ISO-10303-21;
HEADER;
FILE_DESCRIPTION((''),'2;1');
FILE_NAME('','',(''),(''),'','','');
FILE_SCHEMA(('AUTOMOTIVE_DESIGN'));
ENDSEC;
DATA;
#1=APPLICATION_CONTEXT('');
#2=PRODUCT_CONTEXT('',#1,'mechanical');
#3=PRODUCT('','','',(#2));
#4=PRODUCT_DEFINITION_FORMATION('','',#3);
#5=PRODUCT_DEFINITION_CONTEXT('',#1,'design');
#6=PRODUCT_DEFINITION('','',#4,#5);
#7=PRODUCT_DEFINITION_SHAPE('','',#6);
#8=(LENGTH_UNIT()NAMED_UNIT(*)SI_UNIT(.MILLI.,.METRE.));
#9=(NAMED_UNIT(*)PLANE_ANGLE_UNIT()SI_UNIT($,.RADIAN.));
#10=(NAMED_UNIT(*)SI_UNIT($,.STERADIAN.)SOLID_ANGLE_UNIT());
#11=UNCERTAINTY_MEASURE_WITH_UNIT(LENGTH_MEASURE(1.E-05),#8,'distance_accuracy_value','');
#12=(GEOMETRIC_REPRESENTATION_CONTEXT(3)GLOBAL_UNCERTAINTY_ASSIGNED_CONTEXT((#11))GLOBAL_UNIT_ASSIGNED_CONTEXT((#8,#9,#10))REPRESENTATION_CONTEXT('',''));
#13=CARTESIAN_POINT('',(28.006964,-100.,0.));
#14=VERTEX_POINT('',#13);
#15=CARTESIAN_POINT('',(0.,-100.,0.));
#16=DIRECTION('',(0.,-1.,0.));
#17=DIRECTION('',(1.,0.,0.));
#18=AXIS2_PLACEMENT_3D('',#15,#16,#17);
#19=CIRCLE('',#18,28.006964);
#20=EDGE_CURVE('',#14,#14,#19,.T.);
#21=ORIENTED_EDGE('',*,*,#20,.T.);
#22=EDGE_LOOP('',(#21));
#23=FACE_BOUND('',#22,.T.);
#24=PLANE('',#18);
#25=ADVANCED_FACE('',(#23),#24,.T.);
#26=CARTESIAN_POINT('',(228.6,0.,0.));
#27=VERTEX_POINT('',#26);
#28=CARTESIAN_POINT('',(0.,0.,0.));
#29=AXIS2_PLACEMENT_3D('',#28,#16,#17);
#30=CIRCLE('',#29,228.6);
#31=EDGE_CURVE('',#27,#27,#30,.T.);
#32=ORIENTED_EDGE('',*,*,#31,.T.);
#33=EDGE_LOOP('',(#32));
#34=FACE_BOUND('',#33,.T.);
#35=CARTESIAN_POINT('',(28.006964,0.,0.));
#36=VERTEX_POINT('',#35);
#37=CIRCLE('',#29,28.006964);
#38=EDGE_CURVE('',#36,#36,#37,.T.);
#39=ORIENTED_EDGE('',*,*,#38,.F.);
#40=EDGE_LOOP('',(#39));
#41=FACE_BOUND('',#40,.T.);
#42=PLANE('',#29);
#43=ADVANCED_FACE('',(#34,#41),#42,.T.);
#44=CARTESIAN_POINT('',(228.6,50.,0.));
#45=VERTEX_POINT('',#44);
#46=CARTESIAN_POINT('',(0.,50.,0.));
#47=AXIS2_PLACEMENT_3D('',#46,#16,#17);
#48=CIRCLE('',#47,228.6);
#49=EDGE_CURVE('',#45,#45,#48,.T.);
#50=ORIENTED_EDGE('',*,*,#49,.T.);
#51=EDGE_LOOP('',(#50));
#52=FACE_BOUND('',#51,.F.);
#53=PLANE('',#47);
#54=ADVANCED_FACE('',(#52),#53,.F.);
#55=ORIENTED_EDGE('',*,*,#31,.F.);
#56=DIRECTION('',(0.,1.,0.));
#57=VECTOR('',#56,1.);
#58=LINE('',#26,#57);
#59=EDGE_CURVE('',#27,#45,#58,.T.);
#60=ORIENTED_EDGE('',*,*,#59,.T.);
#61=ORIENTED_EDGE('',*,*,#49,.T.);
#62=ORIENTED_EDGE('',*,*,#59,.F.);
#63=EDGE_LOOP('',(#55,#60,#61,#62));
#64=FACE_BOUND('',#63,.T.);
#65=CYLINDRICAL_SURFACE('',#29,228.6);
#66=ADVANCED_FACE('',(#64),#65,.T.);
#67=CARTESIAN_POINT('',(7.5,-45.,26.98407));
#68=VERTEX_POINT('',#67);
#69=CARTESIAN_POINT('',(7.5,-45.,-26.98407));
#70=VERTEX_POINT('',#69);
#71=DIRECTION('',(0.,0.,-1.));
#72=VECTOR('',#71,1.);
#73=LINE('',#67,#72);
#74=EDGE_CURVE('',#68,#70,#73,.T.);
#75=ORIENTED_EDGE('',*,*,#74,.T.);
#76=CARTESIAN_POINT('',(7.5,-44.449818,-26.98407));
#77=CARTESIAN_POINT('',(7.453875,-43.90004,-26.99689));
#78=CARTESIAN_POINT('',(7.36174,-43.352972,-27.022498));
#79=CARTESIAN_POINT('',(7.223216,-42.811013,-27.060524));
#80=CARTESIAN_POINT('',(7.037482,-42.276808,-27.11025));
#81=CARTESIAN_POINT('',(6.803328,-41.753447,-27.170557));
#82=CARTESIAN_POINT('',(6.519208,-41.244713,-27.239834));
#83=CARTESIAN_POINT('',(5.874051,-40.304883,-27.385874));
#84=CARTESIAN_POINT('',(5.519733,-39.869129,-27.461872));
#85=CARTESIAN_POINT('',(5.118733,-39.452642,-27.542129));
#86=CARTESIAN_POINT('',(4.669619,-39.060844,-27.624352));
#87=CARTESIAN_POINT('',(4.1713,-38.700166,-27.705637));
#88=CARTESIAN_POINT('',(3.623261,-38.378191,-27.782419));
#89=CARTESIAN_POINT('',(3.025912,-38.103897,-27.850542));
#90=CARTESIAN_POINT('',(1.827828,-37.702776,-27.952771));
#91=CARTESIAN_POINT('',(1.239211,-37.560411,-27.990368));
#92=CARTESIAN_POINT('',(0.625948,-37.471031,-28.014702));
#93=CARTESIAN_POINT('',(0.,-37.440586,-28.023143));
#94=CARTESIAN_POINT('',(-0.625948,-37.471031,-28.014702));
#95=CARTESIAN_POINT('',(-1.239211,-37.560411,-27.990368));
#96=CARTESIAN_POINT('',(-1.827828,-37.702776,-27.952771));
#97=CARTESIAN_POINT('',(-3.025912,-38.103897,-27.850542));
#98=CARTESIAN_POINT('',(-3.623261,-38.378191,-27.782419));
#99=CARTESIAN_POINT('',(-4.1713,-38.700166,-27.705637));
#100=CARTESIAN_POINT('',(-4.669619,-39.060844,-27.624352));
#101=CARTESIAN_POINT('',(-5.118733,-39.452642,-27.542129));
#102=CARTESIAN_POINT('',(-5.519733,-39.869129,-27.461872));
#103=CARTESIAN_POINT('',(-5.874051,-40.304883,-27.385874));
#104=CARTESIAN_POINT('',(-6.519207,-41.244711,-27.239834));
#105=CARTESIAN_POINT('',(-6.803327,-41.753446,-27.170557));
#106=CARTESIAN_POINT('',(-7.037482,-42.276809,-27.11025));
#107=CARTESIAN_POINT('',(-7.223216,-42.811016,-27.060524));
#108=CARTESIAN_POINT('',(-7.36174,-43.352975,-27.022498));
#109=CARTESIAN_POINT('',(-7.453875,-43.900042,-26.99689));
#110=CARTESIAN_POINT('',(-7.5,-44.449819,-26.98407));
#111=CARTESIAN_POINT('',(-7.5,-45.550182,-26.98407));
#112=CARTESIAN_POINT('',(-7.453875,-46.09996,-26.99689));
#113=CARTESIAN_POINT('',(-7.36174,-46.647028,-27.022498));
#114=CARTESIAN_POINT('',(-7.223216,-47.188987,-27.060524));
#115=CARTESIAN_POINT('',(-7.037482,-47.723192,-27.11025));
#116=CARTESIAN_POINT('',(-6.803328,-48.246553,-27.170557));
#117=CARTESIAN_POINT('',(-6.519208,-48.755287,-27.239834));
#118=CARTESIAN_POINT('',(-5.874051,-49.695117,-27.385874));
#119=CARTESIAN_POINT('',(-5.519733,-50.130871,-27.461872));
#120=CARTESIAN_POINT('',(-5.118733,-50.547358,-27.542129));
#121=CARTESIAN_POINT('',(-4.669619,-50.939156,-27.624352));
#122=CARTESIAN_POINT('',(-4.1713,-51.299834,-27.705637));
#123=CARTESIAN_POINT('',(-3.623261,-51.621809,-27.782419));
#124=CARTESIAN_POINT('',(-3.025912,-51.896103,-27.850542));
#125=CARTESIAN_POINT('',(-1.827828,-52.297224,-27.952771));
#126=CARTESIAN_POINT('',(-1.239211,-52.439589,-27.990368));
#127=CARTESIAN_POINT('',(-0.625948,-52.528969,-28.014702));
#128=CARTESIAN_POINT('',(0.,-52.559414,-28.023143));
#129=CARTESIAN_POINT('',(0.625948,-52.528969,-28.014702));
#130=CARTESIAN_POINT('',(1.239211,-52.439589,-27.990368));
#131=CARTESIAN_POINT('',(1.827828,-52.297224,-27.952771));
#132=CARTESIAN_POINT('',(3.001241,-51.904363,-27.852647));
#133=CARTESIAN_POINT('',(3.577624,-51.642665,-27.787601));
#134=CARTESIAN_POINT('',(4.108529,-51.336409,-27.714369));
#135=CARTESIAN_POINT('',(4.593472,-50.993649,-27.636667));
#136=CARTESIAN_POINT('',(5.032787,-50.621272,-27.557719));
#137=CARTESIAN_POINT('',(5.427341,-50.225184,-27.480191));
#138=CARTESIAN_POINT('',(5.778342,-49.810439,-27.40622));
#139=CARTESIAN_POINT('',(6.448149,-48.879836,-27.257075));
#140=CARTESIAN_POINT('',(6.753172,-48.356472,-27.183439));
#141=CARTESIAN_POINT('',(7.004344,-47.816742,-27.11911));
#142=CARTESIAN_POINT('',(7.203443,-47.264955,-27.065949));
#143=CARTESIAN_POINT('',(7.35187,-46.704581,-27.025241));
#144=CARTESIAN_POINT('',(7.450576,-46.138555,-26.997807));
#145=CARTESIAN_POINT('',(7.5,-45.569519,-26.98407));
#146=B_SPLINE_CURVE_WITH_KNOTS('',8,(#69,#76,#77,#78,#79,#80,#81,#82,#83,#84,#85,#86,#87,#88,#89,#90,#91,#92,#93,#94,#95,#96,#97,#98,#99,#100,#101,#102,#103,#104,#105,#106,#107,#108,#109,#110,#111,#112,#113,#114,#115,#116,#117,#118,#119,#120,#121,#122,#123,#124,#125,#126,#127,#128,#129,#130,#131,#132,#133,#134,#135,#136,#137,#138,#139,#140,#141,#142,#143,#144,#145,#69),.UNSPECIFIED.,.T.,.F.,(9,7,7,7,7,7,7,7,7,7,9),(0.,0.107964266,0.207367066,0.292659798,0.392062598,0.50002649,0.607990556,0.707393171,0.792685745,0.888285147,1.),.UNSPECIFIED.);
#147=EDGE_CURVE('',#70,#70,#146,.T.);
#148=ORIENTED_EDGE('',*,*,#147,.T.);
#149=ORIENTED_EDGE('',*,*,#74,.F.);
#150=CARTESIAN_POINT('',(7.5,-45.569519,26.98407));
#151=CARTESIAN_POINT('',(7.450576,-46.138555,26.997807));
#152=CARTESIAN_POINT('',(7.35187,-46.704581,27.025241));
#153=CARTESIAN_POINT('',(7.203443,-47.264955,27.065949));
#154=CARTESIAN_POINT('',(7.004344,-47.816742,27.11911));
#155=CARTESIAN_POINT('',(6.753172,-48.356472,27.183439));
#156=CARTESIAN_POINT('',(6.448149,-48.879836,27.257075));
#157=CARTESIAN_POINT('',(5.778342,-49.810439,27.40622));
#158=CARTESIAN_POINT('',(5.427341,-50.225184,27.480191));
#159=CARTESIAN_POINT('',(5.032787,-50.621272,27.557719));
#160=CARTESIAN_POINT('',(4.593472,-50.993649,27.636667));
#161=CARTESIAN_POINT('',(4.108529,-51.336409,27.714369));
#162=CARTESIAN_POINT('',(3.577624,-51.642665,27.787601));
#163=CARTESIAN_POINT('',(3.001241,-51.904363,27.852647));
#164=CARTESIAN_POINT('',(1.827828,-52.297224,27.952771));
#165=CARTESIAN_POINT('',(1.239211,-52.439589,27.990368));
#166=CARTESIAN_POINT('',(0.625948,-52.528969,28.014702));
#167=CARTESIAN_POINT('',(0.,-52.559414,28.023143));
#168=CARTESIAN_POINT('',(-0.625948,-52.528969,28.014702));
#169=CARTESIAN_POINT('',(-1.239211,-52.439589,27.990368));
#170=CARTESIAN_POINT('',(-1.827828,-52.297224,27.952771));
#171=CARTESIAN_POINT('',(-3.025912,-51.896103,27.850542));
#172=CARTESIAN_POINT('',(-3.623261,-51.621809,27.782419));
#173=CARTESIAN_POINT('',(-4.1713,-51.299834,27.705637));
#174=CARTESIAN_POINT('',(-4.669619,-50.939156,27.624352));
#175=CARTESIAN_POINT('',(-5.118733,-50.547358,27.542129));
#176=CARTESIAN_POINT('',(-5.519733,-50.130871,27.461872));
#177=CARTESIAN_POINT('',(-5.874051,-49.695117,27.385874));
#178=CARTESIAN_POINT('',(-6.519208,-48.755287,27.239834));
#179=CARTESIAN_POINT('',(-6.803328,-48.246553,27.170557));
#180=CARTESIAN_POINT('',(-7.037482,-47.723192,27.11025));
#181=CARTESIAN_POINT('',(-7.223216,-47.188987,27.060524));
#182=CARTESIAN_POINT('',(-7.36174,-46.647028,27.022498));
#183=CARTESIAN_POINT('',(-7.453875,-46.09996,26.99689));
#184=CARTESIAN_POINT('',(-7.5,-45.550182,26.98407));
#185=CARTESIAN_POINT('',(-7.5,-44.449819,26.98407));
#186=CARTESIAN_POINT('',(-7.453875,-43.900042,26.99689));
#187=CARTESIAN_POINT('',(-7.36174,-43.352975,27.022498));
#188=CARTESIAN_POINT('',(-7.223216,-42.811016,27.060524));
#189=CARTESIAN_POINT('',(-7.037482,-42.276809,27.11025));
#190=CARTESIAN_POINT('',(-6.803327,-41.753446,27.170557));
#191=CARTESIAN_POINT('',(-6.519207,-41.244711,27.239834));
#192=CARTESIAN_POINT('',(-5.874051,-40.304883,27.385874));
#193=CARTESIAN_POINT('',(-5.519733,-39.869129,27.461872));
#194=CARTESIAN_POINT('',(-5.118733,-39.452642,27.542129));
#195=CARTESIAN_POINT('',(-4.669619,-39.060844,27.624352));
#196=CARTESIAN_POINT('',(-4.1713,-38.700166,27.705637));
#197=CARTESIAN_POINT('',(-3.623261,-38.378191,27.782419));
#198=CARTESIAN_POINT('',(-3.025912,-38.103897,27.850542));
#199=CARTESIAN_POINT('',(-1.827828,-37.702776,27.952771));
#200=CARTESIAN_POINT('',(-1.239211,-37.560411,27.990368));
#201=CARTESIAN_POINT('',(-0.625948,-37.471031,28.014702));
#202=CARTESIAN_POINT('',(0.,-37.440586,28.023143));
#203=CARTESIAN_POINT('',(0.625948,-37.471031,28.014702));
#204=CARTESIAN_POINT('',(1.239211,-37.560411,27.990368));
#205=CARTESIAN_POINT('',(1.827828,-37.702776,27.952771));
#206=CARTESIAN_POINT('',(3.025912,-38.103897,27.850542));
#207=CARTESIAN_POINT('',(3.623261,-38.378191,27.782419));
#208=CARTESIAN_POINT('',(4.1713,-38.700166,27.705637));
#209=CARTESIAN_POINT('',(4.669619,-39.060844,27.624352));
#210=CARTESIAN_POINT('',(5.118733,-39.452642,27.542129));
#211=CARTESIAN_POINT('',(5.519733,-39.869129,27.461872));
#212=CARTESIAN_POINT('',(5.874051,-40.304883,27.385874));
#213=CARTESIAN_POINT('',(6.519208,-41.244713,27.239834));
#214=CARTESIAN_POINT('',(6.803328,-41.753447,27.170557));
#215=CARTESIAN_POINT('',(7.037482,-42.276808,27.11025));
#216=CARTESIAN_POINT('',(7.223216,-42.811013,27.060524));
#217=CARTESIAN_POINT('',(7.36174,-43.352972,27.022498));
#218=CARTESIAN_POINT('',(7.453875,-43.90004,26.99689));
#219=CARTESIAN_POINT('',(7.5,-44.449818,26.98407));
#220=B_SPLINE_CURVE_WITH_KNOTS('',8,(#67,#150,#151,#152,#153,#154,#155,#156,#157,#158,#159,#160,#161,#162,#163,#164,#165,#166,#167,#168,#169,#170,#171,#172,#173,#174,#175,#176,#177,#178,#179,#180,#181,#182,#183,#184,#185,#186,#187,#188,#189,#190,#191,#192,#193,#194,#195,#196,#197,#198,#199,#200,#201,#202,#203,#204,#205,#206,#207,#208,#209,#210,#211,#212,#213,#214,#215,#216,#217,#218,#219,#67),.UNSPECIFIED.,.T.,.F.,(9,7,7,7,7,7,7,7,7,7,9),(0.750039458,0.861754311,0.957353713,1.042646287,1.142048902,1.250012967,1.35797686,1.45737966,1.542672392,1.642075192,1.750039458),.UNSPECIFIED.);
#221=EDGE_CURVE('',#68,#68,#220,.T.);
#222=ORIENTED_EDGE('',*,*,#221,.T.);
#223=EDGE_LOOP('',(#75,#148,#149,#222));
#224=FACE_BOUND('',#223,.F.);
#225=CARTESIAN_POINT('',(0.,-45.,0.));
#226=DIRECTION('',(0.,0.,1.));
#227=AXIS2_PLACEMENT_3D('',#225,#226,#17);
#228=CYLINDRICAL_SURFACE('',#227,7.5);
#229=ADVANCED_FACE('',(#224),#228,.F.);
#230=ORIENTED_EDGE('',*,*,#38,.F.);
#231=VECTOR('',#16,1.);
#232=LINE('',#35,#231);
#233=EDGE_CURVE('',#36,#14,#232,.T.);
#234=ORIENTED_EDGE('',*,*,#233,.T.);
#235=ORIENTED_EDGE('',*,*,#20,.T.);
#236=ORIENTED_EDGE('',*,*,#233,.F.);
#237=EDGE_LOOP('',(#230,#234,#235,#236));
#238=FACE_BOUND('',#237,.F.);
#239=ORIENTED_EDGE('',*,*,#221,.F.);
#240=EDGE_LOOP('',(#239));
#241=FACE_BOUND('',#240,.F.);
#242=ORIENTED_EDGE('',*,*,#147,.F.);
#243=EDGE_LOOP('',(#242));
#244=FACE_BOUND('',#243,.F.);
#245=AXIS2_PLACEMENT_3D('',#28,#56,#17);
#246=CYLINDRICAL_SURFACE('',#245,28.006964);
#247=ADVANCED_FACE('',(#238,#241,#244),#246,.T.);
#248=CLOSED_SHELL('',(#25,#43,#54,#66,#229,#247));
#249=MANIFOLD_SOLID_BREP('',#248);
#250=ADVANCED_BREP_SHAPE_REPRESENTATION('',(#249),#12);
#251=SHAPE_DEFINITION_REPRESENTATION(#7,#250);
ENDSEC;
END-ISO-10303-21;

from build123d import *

# Parameters (mm, degrees)
F1_R          = 28.006963647
F2_DEPTH      = 100
F0_R          = 228.6
F3_DEPTH      = 50
F4_R          = 7.5
F5_DEPTH      = 28.006963647
F5_DEPTH_BACK = 28.006963647


with BuildPart() as f2:
    # F1 (on Front) → F2 (new body)
    with BuildSketch(Plane.XZ):
        Circle(F1_R)
    extrude(amount=F2_DEPTH)

    # F0 (on Front) → F3 (join)
    with BuildSketch(Plane.XZ):
        Circle(F0_R)
    extrude(amount=-F3_DEPTH)

    # F4 (on Top) → F5 (cut, two sides)
    with BuildSketch(Plane.XY) as f5_sk:
        with Locations((0, -45)):
            Circle(F4_R)
    extrude(amount=-F5_DEPTH, mode=Mode.SUBTRACT)
    extrude(f5_sk.sketch, amount=F5_DEPTH_BACK, mode=Mode.SUBTRACT)


solid = f2.part
